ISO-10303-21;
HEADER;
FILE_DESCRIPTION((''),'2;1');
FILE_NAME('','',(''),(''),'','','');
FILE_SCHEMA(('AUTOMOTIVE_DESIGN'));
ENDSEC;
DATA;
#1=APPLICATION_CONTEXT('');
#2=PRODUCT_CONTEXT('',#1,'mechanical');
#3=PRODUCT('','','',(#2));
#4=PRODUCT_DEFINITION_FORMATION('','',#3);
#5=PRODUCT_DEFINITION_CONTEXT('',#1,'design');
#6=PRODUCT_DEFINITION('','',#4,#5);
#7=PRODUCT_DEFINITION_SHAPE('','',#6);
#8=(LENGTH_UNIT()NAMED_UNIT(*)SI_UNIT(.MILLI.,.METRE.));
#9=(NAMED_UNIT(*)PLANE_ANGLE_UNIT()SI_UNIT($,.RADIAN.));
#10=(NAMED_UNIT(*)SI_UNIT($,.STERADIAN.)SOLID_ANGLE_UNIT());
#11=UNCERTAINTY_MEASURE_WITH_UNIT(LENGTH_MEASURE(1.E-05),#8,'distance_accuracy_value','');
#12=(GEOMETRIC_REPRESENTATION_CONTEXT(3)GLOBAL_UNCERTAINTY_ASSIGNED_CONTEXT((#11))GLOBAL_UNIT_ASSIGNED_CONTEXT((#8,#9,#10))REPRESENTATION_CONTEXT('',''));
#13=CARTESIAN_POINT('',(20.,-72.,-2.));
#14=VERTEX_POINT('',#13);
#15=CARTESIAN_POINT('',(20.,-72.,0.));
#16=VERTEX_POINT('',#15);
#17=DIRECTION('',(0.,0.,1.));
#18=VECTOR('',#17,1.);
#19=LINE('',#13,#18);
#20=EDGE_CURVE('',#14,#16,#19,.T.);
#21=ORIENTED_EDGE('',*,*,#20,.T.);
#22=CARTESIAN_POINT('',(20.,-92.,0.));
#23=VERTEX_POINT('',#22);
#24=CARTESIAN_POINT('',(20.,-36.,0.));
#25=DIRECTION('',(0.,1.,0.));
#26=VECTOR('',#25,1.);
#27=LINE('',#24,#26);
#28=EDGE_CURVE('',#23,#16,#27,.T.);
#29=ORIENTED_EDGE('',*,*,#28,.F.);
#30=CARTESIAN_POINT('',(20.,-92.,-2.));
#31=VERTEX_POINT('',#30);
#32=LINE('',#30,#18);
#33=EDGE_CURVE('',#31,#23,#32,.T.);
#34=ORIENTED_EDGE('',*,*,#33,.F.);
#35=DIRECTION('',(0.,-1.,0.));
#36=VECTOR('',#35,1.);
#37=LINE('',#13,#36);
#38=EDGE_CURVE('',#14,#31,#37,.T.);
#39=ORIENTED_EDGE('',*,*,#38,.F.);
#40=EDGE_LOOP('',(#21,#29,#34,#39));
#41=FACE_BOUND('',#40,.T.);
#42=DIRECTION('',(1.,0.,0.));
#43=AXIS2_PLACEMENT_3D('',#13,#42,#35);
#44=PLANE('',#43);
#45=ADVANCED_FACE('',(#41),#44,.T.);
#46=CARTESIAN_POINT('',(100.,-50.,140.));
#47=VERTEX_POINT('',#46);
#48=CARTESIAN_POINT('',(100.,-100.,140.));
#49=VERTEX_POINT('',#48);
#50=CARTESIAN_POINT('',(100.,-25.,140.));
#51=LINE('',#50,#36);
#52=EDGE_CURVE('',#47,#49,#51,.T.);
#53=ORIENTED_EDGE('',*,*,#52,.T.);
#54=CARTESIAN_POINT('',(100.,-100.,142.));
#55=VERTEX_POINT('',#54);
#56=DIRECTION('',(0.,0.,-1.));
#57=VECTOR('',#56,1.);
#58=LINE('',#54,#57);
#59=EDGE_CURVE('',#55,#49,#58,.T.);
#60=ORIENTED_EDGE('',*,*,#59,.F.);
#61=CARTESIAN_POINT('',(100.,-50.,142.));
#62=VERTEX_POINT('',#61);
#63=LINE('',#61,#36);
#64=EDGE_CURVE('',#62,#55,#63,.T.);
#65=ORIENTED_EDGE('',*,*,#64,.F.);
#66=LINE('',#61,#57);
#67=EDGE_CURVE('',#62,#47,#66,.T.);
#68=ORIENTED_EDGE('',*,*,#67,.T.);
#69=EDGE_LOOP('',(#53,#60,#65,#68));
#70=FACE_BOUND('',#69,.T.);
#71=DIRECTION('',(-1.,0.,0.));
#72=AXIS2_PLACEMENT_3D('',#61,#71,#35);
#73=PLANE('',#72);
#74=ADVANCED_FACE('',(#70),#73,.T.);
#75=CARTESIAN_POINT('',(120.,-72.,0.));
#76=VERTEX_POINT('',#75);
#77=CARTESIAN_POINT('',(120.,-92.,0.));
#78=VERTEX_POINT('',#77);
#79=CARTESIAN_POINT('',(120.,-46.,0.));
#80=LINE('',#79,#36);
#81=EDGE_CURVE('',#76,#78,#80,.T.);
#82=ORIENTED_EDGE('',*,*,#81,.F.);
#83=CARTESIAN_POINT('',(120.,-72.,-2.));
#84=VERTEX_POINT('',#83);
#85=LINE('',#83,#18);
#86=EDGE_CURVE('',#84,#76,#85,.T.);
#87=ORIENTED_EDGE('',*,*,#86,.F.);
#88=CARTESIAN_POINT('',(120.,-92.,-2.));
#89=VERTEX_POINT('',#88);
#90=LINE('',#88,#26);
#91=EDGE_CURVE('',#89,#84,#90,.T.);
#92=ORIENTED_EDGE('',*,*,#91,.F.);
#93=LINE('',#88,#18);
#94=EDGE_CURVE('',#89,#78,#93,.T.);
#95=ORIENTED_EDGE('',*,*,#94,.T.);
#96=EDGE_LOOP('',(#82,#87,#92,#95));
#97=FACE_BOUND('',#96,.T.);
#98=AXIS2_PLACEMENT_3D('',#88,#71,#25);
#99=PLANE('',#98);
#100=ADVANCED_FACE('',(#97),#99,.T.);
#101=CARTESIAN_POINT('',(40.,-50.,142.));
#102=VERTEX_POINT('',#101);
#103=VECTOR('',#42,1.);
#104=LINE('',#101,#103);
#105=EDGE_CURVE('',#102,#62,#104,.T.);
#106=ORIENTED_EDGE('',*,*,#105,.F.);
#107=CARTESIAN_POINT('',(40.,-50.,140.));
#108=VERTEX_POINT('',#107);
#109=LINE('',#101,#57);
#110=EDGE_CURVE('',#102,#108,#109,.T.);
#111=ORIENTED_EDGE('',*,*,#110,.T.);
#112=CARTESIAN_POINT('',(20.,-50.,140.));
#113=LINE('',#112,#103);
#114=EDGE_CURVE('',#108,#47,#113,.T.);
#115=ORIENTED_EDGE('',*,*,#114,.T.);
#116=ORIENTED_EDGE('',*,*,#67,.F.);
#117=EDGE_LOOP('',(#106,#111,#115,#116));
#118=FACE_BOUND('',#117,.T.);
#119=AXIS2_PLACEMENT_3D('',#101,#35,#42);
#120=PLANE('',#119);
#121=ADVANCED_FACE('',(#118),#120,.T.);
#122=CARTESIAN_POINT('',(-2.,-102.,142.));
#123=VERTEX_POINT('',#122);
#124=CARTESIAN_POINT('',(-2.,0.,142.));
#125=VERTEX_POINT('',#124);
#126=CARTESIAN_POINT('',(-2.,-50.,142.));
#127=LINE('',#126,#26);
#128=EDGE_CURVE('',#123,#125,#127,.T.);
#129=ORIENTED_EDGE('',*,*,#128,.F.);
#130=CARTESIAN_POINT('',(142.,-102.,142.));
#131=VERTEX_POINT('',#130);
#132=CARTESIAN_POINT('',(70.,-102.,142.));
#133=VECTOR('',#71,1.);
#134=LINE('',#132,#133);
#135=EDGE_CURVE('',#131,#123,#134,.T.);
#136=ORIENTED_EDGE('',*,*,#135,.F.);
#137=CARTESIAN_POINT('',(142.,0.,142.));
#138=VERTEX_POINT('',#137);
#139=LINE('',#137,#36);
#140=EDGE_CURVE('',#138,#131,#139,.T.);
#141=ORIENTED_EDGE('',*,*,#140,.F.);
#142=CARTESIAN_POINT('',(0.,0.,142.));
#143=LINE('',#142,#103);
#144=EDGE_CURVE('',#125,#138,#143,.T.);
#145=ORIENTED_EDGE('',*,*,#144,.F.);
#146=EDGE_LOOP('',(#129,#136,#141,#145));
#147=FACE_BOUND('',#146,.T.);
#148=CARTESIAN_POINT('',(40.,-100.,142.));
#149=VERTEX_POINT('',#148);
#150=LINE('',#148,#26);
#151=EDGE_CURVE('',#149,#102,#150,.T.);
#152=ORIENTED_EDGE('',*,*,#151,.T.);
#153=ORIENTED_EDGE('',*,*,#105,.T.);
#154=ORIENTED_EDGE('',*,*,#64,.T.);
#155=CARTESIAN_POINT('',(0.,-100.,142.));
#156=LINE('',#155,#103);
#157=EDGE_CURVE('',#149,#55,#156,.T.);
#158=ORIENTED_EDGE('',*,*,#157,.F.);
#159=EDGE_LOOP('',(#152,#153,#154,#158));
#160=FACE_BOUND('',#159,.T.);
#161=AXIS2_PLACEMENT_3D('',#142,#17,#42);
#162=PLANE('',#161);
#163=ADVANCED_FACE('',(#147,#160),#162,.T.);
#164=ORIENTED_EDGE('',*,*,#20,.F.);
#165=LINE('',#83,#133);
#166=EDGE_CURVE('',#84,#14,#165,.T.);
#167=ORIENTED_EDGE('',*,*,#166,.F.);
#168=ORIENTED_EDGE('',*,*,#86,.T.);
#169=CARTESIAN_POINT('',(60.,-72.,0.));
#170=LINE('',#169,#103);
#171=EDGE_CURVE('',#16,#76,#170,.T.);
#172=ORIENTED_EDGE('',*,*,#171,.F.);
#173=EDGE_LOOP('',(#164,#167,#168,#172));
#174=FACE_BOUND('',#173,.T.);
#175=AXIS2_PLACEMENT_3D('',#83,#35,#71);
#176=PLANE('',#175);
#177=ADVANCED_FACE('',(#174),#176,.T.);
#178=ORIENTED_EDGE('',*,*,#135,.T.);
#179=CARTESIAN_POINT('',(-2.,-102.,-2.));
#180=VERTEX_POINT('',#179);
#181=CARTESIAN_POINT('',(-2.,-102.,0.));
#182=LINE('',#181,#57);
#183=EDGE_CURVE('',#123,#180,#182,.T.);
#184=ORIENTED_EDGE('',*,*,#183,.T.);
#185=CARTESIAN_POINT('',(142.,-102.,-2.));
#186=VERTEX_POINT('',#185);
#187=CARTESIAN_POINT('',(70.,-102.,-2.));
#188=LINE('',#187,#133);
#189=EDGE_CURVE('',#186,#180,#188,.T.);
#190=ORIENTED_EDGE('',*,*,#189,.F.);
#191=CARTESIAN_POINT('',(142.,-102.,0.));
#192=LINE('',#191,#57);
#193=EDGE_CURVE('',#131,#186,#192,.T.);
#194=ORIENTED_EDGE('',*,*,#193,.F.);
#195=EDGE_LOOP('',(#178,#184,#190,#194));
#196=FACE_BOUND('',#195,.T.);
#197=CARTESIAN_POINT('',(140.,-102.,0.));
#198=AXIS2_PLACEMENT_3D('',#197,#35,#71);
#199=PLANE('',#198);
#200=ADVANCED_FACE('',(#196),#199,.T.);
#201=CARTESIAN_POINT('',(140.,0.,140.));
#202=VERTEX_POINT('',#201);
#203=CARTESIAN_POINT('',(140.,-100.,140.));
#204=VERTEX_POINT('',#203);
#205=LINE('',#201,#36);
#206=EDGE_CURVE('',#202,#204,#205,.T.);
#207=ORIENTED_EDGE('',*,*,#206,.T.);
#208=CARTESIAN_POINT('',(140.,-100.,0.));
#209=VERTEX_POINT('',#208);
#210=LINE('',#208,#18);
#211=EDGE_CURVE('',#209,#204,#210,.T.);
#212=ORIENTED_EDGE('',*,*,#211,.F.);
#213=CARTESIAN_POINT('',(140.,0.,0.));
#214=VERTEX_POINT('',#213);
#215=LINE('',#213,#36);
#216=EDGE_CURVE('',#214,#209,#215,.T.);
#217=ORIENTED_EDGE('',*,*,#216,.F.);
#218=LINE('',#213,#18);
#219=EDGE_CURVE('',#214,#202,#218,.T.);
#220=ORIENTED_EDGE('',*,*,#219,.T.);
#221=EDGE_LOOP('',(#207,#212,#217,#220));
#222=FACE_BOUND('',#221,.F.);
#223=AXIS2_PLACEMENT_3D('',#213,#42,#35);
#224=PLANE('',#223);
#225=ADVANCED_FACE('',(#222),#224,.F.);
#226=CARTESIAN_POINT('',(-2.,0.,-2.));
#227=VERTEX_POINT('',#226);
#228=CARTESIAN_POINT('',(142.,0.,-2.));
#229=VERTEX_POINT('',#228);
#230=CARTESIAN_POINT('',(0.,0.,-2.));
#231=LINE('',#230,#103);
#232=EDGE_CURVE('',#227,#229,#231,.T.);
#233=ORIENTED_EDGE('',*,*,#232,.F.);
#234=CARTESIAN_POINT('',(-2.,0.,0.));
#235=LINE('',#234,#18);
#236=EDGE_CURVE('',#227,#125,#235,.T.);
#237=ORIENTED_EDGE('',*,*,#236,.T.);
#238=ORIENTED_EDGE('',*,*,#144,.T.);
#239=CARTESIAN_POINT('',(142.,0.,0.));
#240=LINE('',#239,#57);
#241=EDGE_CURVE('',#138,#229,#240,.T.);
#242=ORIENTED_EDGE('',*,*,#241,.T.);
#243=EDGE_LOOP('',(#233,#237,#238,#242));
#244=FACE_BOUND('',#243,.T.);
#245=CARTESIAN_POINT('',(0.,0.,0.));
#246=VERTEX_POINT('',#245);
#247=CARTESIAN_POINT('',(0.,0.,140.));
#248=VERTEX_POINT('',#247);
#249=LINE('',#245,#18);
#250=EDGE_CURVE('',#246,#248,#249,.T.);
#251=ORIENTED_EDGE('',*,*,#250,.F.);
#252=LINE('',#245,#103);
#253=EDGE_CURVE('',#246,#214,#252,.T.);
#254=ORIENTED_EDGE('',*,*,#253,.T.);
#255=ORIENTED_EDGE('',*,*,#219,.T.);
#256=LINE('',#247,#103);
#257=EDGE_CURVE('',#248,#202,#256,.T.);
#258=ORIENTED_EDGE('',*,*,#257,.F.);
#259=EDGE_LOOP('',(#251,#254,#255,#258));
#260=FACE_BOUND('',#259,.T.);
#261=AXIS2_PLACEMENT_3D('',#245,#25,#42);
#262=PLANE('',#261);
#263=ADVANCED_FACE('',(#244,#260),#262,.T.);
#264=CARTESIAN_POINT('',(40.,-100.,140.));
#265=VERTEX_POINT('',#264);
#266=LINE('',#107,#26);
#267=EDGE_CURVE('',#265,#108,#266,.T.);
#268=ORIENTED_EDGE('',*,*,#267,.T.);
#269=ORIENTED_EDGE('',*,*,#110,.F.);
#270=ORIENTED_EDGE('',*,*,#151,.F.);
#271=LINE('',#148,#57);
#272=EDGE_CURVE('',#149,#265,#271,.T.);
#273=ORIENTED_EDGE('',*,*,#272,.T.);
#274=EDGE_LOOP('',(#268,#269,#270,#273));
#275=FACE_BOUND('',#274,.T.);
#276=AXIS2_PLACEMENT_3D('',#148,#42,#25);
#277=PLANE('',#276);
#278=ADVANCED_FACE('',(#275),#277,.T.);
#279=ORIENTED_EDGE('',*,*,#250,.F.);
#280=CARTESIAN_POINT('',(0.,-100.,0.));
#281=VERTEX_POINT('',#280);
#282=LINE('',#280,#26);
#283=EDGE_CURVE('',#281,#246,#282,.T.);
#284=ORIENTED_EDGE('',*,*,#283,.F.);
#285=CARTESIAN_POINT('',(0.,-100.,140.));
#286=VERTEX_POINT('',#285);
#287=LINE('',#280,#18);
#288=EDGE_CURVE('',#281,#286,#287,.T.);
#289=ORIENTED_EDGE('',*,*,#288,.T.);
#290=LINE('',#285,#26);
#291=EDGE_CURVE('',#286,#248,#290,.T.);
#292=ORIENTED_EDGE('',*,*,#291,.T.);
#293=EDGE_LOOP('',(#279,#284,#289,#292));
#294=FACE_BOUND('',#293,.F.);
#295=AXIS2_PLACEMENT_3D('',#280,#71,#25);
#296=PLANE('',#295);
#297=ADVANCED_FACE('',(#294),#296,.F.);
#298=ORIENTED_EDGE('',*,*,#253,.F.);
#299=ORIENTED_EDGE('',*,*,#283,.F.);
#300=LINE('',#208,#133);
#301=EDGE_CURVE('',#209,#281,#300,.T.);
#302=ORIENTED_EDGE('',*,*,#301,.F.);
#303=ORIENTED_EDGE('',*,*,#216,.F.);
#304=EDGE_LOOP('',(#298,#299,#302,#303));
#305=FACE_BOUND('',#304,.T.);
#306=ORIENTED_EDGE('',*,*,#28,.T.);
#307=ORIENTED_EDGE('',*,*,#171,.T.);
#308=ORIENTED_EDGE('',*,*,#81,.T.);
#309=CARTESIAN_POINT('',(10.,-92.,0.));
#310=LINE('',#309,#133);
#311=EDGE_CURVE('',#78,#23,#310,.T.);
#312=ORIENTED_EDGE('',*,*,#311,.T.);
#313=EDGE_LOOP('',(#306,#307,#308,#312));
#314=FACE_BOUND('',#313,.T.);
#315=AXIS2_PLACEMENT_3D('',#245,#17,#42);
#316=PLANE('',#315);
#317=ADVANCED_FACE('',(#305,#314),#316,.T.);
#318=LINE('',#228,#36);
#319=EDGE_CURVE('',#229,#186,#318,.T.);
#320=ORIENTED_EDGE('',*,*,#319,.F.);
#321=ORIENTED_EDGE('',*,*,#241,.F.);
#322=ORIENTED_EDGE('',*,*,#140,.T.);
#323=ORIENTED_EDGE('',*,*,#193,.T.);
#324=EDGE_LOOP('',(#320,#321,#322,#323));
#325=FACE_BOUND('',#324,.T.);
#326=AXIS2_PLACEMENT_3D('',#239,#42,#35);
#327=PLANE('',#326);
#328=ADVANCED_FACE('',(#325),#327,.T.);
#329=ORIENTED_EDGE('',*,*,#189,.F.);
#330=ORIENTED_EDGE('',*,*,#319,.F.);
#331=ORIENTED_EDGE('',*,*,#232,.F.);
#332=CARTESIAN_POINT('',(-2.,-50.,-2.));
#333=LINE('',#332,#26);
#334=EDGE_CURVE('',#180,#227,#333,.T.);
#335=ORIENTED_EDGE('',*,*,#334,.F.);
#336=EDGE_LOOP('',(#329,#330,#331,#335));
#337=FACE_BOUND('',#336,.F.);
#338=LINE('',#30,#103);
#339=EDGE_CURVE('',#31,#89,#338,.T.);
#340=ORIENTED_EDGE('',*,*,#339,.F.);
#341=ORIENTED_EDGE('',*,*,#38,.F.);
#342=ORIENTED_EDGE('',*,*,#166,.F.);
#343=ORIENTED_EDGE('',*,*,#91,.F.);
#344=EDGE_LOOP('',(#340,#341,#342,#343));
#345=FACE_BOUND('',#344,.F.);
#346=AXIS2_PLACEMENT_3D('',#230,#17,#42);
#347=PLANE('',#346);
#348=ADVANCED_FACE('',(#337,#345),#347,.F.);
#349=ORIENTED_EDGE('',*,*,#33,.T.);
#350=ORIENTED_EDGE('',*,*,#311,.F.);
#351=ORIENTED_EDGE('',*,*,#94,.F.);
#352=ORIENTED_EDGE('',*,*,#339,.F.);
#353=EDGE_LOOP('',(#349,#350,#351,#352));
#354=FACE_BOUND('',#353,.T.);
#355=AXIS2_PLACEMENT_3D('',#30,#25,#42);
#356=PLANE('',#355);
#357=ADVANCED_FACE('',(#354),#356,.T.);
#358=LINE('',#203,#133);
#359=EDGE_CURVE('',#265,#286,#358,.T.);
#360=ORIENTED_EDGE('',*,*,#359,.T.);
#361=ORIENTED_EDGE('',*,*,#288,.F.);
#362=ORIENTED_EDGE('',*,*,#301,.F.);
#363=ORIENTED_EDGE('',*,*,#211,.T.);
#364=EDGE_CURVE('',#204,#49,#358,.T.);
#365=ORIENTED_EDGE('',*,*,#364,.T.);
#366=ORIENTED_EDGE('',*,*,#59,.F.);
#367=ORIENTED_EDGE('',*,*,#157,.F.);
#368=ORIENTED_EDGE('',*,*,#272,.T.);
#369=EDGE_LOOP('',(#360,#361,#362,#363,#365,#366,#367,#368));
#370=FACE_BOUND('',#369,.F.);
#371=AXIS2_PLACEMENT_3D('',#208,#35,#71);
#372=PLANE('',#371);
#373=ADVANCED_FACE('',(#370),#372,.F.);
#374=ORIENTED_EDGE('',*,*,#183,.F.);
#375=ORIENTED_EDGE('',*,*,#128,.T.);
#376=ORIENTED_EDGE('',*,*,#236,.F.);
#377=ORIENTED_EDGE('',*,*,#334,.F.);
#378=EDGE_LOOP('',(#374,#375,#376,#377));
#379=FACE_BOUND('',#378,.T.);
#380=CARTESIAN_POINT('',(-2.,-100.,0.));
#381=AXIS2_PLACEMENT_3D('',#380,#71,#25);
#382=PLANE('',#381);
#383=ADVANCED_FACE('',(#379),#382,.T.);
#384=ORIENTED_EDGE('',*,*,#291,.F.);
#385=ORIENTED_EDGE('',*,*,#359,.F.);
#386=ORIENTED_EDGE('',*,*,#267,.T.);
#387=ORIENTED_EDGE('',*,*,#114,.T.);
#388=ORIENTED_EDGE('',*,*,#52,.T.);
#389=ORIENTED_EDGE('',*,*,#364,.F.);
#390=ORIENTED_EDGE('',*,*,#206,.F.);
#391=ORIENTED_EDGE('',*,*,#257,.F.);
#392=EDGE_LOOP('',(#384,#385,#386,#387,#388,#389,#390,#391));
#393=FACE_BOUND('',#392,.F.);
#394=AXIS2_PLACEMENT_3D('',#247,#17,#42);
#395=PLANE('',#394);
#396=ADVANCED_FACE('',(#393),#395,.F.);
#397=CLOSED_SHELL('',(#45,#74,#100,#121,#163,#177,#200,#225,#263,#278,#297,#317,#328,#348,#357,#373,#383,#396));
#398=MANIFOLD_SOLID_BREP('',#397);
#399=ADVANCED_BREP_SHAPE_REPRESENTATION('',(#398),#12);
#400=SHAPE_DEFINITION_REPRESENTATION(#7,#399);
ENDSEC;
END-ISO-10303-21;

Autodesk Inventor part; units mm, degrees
ref_plane "YZ Plane" through (0, 0, 0) normal (1, 0, 0) x (0, 1, 0)
ref_plane "XZ Plane" through (0, 0, 0) normal (0, 1, 0) x (-1, 0, 0)
ref_plane "XY Plane" through (0, 0, 0) normal (0, 0, 1) x (1, 0, 0)
sketch "Sketch1" plane through (0, 0, 0) normal (0, 0, 1) x (1, 0, 0)
  line L0 (0, 0) -> (140, 0)
  line L1 (140, 0) -> (140, -100)
  line L2 (140, -100) -> (0, -100)
  line L3 (0, -100) -> (0, 0)
  dimension "d0" = 100
  dimension "d1" = 140
extrude "Extrusion1" add sketch "Sketch1" along normal blind 140
shell "Shell1" thickness 2 outward yes removed faces 1 at (93.3333, 0, 93.3333)
sketch "Sketch2" plane through (0, 0, 142) normal (0, 0, 1) x (1, 0, 0)
  line L0 (0, -100) -> (140, -100) projected
  line L1 (40, -50) -> (100, -50)
  line L2 (100, -50) -> (100, -100)
  line L3 (100, -100) -> (40, -100)
  line L4 (40, -100) -> (40, -50)
  line L5 (0, 0) -> (0, -100) projected
  line L6 (140, -100) -> (140, 0) projected
  line L7 (142, 0) -> (-2, 0) projected
  point P0 (40, -75)
  dimension "d5" = 40
  dimension "d6" = 40
  dimension "d7" = 50
extrude "Extrusion2" cut sketch "Sketch2" against normal blind 14 contours L4 L1 L2 L0
sketch "Sketch3" plane through (0, 0, -2) normal (0, 0, -1) x (-1, 0, 0)
  line L0 (-120, -72) -> (-20, -72)
  line L1 (-20, -72) -> (-20, -92)
  line L2 (-20, -92) -> (-120, -92)
  line L3 (-120, -92) -> (-120, -72)
  line L4 (0, 0) -> (0, -100) projected
  line L5 (-140, -100) -> (-140, 0) projected
  line L6 (2, -102) -> (-142, -102) projected
  point P0 (-120, -82)
  dimension "d13" = 20
  dimension "d14" = 20
  dimension "d15" = 20
  dimension "d16" = 10
extrude "Extrusion4" cut sketch "Sketch3" against normal blind 10
properties part number "Part2 Zaid"
